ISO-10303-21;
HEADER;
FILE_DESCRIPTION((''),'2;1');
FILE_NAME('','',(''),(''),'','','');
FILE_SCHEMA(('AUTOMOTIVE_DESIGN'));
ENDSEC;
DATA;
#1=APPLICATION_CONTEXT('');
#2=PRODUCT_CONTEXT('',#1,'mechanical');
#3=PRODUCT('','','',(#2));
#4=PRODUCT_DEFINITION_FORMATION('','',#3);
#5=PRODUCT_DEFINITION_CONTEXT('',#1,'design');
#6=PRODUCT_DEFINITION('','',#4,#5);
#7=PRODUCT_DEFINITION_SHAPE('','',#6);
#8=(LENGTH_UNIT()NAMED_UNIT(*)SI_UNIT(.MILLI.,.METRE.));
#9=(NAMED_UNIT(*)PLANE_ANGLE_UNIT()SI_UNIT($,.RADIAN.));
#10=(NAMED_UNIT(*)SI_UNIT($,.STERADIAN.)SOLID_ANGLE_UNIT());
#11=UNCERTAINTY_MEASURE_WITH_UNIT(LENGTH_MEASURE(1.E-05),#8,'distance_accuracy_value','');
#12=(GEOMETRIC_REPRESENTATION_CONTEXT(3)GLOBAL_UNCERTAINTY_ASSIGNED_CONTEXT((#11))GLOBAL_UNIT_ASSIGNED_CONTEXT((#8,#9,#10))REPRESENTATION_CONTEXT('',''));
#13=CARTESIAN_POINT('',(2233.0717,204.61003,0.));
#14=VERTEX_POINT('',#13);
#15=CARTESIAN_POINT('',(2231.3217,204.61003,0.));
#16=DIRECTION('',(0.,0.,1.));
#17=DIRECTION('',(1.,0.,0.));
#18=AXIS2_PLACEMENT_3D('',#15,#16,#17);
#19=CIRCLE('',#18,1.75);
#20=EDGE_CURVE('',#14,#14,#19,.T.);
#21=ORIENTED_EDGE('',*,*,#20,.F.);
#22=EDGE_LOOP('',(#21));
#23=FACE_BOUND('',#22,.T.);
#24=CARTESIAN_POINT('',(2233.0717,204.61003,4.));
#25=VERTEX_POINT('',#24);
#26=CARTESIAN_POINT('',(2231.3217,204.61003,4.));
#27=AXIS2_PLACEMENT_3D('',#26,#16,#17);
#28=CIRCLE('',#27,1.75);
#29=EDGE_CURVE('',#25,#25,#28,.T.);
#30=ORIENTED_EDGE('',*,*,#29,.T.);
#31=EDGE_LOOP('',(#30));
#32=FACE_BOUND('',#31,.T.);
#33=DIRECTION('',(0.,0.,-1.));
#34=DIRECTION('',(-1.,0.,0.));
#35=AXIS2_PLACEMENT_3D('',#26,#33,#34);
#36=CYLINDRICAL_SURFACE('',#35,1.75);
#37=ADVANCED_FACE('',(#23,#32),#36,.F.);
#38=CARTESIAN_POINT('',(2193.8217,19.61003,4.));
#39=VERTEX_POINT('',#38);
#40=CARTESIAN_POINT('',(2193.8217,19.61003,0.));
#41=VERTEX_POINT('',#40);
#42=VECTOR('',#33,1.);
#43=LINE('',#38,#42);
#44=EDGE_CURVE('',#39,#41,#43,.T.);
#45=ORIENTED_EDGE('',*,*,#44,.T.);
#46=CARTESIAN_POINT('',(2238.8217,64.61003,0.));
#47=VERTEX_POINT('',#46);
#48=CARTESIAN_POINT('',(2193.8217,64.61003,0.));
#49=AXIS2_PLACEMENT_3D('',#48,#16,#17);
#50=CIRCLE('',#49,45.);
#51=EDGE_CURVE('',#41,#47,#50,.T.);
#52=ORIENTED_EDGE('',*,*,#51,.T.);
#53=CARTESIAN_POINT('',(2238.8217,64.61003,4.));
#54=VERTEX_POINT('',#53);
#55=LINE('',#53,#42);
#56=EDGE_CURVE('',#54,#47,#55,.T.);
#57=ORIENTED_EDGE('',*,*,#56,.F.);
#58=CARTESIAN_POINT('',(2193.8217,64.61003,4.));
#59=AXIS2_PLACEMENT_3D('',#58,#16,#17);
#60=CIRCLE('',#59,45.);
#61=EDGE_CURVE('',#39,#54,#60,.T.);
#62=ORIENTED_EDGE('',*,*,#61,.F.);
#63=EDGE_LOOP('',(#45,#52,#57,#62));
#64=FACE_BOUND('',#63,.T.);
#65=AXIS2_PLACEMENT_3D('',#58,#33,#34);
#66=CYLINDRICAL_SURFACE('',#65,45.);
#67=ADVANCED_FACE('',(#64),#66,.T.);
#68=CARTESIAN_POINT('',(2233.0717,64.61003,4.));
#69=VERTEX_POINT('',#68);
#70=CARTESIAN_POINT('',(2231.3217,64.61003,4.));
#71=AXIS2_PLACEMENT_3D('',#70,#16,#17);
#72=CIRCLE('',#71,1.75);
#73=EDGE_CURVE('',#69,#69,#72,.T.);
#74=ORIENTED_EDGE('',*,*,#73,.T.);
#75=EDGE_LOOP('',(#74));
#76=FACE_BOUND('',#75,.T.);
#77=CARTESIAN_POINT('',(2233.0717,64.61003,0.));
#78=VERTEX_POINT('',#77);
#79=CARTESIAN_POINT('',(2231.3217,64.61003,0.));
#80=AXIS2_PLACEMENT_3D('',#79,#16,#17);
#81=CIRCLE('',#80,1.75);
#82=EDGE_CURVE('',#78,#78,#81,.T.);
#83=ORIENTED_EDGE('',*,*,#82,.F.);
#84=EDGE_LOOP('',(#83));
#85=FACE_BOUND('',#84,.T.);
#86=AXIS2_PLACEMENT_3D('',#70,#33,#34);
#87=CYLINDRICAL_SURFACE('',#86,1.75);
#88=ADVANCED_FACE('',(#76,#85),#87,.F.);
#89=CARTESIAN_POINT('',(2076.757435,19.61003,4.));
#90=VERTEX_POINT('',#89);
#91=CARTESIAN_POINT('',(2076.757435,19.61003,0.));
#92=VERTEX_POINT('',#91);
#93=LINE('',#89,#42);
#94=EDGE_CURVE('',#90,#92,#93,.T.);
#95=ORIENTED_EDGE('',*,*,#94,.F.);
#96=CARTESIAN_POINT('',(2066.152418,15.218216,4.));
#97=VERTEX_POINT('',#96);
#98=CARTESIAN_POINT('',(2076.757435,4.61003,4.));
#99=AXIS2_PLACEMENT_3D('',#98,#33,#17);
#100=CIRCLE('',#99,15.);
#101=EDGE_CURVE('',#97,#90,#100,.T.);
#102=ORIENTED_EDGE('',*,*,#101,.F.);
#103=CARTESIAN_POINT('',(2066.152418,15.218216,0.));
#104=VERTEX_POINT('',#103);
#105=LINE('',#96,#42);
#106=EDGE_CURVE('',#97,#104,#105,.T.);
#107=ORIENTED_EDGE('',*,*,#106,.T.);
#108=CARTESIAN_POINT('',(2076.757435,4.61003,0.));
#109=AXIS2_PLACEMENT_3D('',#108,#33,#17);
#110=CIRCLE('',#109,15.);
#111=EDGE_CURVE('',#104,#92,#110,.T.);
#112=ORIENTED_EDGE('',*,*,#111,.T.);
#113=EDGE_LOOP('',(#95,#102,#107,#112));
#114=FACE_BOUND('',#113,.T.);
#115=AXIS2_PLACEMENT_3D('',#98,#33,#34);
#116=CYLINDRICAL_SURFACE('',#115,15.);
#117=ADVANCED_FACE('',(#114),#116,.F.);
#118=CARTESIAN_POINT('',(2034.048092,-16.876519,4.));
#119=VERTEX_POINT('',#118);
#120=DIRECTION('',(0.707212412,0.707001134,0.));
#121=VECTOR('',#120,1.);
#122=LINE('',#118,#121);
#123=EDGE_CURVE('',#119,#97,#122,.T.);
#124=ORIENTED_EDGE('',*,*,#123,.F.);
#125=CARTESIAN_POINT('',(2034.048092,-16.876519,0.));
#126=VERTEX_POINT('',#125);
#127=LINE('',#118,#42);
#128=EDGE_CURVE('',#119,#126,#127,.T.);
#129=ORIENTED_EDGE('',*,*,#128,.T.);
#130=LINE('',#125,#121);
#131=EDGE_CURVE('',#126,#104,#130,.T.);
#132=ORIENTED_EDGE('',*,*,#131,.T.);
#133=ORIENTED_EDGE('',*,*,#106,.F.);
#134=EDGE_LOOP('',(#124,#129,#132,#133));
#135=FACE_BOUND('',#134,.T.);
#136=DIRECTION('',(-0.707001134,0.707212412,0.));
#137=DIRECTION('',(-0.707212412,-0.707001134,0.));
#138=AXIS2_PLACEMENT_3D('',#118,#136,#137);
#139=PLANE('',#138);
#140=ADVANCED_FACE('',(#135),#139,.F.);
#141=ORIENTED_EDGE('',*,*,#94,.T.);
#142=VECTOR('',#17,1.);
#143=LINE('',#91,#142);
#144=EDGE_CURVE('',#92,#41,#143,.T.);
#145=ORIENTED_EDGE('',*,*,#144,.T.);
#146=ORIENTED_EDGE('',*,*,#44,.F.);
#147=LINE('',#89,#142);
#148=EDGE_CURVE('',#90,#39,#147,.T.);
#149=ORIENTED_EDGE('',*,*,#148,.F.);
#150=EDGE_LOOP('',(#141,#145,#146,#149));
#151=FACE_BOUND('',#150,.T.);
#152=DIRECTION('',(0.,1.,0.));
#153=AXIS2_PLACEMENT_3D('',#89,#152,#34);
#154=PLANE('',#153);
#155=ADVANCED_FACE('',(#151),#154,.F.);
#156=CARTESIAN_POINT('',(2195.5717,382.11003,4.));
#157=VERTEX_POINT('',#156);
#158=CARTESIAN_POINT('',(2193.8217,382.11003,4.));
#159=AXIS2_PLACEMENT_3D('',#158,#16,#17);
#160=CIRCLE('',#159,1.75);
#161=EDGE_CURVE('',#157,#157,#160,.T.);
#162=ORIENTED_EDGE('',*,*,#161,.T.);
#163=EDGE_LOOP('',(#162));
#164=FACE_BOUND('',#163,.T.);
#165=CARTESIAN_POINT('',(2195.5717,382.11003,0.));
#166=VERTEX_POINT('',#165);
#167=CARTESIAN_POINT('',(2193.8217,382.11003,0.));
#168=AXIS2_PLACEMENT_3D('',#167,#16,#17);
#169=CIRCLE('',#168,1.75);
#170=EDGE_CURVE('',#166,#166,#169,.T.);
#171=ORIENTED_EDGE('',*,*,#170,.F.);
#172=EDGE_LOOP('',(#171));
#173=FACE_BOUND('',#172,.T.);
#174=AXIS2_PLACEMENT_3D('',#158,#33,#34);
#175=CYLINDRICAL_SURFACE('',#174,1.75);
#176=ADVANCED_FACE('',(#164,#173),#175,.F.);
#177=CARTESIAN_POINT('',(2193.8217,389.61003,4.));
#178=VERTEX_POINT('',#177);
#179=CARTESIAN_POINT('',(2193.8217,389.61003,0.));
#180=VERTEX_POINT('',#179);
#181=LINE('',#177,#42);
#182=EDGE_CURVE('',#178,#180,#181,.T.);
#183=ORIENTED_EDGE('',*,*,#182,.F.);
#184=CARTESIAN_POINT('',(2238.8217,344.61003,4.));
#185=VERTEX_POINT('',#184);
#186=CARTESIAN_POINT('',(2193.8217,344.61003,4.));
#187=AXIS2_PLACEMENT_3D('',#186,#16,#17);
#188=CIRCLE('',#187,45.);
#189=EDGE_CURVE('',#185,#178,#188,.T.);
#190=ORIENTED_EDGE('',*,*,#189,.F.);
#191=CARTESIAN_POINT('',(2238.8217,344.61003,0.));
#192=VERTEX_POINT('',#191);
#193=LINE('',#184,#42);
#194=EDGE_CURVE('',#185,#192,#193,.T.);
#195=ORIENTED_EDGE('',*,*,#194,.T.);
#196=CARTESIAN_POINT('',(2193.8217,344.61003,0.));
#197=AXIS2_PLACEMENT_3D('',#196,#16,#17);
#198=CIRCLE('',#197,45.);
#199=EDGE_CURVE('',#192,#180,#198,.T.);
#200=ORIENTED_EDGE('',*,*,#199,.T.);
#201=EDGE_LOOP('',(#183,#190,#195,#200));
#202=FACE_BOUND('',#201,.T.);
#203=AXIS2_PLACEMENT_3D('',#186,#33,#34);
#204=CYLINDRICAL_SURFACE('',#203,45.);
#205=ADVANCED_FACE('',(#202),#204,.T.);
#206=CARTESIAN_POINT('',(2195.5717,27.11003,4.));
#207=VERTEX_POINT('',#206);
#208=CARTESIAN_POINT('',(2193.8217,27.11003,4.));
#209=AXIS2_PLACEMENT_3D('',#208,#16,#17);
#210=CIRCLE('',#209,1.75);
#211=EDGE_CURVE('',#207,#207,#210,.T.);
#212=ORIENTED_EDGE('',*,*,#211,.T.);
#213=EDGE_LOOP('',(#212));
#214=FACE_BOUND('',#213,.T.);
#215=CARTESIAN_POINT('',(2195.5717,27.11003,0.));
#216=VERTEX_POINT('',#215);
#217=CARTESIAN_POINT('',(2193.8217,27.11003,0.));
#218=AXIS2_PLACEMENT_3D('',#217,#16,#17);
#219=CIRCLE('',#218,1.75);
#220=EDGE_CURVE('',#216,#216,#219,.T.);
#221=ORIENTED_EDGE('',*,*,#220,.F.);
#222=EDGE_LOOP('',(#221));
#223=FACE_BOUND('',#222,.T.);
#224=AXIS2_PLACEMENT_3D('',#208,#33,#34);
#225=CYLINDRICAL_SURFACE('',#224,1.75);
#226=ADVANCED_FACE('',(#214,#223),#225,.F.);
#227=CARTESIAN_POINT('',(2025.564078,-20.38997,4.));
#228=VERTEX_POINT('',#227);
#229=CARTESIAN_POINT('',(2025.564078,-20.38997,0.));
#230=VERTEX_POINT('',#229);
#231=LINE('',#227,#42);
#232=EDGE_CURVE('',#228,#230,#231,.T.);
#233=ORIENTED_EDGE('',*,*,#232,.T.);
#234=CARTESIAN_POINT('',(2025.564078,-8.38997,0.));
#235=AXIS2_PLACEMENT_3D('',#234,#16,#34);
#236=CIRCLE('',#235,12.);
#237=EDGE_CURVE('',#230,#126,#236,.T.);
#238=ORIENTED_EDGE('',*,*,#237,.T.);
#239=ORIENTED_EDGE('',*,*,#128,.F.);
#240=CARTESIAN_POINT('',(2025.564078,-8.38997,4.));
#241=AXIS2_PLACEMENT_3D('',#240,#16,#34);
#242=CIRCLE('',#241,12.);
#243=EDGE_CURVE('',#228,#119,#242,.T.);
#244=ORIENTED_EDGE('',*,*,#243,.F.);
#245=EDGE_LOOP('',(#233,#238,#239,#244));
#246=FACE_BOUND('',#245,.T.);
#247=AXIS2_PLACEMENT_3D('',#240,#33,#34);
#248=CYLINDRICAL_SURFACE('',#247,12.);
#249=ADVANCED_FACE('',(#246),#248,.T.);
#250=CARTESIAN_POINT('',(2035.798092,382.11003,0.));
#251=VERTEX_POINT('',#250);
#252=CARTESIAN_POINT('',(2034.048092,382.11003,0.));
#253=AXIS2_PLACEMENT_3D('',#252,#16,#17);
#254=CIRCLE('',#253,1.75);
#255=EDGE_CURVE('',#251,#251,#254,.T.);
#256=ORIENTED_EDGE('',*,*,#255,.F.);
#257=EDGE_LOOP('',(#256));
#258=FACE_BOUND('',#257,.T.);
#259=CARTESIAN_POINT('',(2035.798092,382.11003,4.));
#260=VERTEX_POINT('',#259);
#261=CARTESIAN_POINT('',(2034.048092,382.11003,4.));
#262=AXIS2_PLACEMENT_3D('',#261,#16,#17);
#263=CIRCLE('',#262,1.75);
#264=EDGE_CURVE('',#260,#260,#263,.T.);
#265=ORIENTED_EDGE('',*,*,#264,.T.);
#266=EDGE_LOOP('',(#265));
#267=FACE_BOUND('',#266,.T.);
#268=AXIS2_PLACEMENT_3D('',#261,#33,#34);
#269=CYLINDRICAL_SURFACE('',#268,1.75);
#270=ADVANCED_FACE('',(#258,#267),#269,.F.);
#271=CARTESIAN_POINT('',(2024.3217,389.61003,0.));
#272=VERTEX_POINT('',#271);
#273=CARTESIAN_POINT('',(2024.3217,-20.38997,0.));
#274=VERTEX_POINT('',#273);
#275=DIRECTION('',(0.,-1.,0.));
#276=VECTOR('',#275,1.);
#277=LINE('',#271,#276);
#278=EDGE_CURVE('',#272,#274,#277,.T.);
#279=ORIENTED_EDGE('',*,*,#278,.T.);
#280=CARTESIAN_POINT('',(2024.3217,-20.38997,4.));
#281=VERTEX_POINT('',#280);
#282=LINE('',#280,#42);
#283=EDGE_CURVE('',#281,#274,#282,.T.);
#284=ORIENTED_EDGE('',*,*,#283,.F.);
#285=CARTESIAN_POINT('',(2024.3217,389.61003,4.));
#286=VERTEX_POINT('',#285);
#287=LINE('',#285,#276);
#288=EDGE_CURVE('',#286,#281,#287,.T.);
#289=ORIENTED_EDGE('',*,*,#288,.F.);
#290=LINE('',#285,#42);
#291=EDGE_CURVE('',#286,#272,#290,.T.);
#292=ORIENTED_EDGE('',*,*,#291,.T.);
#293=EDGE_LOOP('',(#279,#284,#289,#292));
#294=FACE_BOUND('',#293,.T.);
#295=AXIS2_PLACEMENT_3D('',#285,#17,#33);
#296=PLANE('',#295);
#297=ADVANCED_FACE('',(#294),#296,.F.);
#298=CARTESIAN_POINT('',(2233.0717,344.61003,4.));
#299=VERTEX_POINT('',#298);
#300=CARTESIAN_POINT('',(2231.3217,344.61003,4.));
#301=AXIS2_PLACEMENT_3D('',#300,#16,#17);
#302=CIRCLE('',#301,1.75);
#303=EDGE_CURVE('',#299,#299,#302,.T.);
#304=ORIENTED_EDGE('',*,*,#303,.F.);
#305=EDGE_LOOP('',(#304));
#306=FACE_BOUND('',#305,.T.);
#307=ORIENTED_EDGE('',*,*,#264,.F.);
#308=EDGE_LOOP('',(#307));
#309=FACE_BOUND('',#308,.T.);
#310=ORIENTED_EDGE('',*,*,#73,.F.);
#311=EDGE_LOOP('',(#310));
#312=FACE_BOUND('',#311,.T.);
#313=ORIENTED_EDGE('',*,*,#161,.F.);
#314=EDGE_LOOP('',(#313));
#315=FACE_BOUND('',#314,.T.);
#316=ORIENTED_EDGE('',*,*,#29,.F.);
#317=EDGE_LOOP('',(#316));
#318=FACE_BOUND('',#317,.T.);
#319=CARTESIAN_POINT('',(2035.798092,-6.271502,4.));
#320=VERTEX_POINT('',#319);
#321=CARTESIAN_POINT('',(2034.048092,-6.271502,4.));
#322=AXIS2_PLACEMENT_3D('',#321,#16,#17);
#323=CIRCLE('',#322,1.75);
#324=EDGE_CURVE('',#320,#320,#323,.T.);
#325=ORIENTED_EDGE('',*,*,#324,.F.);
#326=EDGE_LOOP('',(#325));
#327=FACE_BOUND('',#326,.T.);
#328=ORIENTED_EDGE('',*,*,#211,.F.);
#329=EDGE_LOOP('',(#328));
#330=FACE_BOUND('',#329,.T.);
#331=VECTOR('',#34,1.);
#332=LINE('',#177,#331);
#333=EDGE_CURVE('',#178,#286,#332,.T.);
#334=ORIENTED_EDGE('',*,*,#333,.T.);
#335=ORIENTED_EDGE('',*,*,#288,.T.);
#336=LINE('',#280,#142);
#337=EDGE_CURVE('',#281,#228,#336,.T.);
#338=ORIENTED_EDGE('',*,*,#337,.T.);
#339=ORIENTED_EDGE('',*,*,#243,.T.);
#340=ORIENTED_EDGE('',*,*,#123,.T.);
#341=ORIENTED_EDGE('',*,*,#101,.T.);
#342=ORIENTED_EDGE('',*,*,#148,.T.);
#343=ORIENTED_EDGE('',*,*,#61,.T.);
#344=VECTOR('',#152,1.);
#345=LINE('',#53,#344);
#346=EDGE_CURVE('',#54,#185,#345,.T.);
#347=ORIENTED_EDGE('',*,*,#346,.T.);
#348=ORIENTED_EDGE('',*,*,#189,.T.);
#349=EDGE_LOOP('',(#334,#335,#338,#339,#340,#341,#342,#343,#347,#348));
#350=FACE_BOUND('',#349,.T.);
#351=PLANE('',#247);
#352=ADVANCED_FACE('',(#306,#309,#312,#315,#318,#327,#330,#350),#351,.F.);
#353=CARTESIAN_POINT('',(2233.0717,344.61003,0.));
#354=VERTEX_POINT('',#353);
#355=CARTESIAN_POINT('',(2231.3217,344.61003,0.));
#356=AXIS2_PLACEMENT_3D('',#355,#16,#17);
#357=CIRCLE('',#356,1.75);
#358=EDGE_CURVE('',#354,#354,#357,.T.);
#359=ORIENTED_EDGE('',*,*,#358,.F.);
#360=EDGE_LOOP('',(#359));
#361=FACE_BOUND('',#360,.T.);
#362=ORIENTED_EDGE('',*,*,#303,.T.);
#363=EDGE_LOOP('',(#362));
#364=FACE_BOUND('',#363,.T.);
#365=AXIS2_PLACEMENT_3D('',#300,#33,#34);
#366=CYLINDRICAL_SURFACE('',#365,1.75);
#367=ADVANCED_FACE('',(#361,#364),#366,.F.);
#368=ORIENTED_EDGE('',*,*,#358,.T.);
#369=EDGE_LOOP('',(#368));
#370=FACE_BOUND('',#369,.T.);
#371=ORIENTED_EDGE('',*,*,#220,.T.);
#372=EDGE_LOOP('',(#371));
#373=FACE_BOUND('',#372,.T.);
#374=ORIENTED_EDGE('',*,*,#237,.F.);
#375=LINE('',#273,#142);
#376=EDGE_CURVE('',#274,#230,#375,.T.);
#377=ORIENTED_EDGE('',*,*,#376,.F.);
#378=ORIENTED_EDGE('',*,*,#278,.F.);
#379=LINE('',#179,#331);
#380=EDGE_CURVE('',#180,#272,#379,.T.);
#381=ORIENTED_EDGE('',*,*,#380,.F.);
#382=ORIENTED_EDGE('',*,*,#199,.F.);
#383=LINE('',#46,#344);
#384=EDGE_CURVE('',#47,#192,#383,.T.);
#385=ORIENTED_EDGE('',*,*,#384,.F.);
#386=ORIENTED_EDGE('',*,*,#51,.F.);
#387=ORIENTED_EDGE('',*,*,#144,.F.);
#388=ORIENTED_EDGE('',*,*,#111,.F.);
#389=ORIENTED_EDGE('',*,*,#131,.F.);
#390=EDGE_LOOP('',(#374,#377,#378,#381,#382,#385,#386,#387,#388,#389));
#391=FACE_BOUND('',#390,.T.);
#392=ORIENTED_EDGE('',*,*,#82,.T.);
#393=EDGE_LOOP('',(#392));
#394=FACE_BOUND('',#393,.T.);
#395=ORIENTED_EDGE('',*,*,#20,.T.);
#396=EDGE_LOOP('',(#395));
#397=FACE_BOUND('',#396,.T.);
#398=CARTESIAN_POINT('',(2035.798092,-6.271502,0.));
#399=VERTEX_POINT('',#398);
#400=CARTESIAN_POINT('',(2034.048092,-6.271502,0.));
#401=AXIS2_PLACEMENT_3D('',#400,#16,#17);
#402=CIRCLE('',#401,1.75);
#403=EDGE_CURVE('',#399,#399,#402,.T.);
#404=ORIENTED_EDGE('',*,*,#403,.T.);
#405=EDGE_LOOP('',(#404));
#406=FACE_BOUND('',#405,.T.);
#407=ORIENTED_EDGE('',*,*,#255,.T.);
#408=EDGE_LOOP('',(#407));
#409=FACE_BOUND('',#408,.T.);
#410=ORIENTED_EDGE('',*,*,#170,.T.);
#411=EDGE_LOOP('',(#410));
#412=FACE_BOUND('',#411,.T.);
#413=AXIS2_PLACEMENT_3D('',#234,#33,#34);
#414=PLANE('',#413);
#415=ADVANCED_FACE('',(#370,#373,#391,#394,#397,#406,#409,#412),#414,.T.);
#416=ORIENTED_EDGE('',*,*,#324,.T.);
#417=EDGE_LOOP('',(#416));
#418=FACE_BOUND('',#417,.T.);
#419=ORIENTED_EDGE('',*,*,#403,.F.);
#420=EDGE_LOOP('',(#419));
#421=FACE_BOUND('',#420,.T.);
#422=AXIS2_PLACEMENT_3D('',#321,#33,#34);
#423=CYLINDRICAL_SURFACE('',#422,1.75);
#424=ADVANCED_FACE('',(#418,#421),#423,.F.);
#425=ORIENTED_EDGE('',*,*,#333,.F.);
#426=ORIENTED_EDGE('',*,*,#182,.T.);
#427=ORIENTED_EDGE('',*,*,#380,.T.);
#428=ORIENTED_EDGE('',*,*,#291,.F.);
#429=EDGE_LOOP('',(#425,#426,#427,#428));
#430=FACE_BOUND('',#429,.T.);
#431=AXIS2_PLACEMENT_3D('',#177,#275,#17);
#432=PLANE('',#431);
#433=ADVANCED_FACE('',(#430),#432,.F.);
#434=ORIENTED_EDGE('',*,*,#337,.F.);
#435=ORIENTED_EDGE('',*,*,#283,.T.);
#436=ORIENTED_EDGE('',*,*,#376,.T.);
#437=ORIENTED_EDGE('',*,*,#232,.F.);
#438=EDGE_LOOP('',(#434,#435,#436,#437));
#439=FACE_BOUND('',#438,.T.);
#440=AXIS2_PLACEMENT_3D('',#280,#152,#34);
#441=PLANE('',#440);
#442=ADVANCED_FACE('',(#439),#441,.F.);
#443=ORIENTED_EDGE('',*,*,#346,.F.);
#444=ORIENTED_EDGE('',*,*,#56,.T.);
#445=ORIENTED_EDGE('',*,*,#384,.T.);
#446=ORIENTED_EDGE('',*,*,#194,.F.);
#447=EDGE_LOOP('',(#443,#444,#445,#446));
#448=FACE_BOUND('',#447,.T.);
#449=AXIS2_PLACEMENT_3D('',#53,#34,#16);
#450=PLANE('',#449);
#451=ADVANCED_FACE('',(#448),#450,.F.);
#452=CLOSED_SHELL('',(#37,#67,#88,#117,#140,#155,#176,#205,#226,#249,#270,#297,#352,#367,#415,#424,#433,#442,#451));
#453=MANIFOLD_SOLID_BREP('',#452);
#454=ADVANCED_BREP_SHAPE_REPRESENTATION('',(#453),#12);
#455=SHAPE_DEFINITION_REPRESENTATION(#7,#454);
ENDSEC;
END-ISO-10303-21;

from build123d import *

# Parameters (mm, degrees)
SKETCH1_R           = 1.75
BOSS_EXTRUDE1_DEPTH = 4


with BuildPart() as part:
    # Sketch1 → Boss-Extrude1 (new body)
    with BuildSketch(Plane.XY):
        with BuildLine():
            Line((2024.321699886, -20.389970185), (2025.564078039, -20.389970185))
            ThreePointArc((2025.564078039, -20.389970185), (2030.155451072, -19.476867572), (2034.048091653, -16.876519131))
            Line((2034.048091653, -16.876519131), (2066.152417854, 15.218215997))
            ThreePointArc((2066.152417854, 15.218215997), (2071.01821858, 18.468651549), (2076.757434871, 19.610029815))
            Line((2076.757434871, 19.610029815), (2193.821699886, 19.610029815))
            ThreePointArc((2193.821699886, 19.610029815), (2225.64150504, 32.790224661), (2238.821699886, 64.610029815))
            Line((2238.821699886, 64.610029815), (2238.821699886, 344.610029815))
            ThreePointArc((2238.821699886, 344.610029815), (2225.64150504, 376.429834968), (2193.821699886, 389.610029815))
            Line((2193.821699886, 389.610029815), (2024.321699886, 389.610029815))
            Line((2024.321699886, 389.610029815), (2024.321699886, -20.389970185))
        make_face()
        with Locations((2034.048091653, -6.27150164)):
            Circle(SKETCH1_R, mode=Mode.SUBTRACT)
        with Locations((2193.821699886, 27.110029815)):
            Circle(SKETCH1_R, mode=Mode.SUBTRACT)
        with Locations((2231.321699886, 64.610029815)):
            Circle(SKETCH1_R, mode=Mode.SUBTRACT)
        with Locations((2231.321699886, 204.610029815)):
            Circle(SKETCH1_R, mode=Mode.SUBTRACT)
        with Locations((2231.321699886, 344.610029815)):
            Circle(SKETCH1_R, mode=Mode.SUBTRACT)
        with Locations((2193.821699886, 382.110029815)):
            Circle(SKETCH1_R, mode=Mode.SUBTRACT)
        with Locations((2034.048091653, 382.110029815)):
            Circle(SKETCH1_R, mode=Mode.SUBTRACT)
    extrude(amount=BOSS_EXTRUDE1_DEPTH)


solid = part.part
